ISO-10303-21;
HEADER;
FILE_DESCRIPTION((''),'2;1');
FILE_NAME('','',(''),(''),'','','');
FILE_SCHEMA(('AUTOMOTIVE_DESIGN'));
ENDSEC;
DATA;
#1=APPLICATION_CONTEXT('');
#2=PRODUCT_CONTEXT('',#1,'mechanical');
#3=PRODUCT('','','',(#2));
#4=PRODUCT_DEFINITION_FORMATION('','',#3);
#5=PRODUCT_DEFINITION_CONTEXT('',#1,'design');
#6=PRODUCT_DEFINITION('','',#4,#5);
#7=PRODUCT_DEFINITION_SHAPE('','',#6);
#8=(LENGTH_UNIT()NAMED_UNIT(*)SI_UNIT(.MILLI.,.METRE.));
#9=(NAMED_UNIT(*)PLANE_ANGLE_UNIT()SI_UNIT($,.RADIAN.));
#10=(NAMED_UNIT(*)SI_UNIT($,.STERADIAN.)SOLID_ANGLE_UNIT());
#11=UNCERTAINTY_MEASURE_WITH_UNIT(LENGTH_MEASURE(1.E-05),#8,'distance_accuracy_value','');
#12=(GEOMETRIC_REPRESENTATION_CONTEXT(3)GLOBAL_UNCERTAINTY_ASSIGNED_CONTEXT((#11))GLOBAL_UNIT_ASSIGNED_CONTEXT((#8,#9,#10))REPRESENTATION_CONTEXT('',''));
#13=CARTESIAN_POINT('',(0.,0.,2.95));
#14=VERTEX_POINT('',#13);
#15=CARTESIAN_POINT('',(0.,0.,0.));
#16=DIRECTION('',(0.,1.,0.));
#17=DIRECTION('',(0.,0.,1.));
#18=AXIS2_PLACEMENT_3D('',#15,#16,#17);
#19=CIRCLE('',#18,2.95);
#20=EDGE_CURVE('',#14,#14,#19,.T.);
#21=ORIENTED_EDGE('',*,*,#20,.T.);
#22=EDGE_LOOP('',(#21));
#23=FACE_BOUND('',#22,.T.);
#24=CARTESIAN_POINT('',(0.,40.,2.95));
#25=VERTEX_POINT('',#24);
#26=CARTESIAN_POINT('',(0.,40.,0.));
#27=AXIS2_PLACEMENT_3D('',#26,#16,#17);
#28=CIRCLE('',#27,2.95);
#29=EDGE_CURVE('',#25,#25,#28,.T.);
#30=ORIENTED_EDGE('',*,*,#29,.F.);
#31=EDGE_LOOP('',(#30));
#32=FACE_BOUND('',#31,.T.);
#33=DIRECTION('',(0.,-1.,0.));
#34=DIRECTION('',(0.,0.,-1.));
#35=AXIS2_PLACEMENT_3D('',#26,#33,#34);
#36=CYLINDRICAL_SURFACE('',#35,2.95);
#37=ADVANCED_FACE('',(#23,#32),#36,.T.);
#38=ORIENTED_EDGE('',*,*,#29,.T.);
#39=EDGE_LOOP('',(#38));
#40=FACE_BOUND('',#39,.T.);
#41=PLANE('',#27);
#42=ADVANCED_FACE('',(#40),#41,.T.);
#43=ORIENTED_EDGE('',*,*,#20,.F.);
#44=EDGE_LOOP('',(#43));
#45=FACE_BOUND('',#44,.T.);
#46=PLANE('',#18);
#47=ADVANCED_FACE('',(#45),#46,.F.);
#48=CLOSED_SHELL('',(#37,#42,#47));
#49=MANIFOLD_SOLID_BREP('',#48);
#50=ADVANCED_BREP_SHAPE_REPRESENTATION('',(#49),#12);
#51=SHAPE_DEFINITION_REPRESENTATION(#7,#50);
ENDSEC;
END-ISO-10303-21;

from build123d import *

# Parameters (mm, degrees)
SKETCH1_R           = 2.95
BOSS_EXTRUDE1_DEPTH = 40


with BuildPart() as part:
    # Sketch1 → Boss-Extrude1 (new body)
    with BuildSketch(Plane(origin=(0, 0, 0), x_dir=(1, 0, 0), z_dir=(0, 1, 0))):
        Circle(SKETCH1_R)
    extrude(amount=BOSS_EXTRUDE1_DEPTH)


solid = part.part
